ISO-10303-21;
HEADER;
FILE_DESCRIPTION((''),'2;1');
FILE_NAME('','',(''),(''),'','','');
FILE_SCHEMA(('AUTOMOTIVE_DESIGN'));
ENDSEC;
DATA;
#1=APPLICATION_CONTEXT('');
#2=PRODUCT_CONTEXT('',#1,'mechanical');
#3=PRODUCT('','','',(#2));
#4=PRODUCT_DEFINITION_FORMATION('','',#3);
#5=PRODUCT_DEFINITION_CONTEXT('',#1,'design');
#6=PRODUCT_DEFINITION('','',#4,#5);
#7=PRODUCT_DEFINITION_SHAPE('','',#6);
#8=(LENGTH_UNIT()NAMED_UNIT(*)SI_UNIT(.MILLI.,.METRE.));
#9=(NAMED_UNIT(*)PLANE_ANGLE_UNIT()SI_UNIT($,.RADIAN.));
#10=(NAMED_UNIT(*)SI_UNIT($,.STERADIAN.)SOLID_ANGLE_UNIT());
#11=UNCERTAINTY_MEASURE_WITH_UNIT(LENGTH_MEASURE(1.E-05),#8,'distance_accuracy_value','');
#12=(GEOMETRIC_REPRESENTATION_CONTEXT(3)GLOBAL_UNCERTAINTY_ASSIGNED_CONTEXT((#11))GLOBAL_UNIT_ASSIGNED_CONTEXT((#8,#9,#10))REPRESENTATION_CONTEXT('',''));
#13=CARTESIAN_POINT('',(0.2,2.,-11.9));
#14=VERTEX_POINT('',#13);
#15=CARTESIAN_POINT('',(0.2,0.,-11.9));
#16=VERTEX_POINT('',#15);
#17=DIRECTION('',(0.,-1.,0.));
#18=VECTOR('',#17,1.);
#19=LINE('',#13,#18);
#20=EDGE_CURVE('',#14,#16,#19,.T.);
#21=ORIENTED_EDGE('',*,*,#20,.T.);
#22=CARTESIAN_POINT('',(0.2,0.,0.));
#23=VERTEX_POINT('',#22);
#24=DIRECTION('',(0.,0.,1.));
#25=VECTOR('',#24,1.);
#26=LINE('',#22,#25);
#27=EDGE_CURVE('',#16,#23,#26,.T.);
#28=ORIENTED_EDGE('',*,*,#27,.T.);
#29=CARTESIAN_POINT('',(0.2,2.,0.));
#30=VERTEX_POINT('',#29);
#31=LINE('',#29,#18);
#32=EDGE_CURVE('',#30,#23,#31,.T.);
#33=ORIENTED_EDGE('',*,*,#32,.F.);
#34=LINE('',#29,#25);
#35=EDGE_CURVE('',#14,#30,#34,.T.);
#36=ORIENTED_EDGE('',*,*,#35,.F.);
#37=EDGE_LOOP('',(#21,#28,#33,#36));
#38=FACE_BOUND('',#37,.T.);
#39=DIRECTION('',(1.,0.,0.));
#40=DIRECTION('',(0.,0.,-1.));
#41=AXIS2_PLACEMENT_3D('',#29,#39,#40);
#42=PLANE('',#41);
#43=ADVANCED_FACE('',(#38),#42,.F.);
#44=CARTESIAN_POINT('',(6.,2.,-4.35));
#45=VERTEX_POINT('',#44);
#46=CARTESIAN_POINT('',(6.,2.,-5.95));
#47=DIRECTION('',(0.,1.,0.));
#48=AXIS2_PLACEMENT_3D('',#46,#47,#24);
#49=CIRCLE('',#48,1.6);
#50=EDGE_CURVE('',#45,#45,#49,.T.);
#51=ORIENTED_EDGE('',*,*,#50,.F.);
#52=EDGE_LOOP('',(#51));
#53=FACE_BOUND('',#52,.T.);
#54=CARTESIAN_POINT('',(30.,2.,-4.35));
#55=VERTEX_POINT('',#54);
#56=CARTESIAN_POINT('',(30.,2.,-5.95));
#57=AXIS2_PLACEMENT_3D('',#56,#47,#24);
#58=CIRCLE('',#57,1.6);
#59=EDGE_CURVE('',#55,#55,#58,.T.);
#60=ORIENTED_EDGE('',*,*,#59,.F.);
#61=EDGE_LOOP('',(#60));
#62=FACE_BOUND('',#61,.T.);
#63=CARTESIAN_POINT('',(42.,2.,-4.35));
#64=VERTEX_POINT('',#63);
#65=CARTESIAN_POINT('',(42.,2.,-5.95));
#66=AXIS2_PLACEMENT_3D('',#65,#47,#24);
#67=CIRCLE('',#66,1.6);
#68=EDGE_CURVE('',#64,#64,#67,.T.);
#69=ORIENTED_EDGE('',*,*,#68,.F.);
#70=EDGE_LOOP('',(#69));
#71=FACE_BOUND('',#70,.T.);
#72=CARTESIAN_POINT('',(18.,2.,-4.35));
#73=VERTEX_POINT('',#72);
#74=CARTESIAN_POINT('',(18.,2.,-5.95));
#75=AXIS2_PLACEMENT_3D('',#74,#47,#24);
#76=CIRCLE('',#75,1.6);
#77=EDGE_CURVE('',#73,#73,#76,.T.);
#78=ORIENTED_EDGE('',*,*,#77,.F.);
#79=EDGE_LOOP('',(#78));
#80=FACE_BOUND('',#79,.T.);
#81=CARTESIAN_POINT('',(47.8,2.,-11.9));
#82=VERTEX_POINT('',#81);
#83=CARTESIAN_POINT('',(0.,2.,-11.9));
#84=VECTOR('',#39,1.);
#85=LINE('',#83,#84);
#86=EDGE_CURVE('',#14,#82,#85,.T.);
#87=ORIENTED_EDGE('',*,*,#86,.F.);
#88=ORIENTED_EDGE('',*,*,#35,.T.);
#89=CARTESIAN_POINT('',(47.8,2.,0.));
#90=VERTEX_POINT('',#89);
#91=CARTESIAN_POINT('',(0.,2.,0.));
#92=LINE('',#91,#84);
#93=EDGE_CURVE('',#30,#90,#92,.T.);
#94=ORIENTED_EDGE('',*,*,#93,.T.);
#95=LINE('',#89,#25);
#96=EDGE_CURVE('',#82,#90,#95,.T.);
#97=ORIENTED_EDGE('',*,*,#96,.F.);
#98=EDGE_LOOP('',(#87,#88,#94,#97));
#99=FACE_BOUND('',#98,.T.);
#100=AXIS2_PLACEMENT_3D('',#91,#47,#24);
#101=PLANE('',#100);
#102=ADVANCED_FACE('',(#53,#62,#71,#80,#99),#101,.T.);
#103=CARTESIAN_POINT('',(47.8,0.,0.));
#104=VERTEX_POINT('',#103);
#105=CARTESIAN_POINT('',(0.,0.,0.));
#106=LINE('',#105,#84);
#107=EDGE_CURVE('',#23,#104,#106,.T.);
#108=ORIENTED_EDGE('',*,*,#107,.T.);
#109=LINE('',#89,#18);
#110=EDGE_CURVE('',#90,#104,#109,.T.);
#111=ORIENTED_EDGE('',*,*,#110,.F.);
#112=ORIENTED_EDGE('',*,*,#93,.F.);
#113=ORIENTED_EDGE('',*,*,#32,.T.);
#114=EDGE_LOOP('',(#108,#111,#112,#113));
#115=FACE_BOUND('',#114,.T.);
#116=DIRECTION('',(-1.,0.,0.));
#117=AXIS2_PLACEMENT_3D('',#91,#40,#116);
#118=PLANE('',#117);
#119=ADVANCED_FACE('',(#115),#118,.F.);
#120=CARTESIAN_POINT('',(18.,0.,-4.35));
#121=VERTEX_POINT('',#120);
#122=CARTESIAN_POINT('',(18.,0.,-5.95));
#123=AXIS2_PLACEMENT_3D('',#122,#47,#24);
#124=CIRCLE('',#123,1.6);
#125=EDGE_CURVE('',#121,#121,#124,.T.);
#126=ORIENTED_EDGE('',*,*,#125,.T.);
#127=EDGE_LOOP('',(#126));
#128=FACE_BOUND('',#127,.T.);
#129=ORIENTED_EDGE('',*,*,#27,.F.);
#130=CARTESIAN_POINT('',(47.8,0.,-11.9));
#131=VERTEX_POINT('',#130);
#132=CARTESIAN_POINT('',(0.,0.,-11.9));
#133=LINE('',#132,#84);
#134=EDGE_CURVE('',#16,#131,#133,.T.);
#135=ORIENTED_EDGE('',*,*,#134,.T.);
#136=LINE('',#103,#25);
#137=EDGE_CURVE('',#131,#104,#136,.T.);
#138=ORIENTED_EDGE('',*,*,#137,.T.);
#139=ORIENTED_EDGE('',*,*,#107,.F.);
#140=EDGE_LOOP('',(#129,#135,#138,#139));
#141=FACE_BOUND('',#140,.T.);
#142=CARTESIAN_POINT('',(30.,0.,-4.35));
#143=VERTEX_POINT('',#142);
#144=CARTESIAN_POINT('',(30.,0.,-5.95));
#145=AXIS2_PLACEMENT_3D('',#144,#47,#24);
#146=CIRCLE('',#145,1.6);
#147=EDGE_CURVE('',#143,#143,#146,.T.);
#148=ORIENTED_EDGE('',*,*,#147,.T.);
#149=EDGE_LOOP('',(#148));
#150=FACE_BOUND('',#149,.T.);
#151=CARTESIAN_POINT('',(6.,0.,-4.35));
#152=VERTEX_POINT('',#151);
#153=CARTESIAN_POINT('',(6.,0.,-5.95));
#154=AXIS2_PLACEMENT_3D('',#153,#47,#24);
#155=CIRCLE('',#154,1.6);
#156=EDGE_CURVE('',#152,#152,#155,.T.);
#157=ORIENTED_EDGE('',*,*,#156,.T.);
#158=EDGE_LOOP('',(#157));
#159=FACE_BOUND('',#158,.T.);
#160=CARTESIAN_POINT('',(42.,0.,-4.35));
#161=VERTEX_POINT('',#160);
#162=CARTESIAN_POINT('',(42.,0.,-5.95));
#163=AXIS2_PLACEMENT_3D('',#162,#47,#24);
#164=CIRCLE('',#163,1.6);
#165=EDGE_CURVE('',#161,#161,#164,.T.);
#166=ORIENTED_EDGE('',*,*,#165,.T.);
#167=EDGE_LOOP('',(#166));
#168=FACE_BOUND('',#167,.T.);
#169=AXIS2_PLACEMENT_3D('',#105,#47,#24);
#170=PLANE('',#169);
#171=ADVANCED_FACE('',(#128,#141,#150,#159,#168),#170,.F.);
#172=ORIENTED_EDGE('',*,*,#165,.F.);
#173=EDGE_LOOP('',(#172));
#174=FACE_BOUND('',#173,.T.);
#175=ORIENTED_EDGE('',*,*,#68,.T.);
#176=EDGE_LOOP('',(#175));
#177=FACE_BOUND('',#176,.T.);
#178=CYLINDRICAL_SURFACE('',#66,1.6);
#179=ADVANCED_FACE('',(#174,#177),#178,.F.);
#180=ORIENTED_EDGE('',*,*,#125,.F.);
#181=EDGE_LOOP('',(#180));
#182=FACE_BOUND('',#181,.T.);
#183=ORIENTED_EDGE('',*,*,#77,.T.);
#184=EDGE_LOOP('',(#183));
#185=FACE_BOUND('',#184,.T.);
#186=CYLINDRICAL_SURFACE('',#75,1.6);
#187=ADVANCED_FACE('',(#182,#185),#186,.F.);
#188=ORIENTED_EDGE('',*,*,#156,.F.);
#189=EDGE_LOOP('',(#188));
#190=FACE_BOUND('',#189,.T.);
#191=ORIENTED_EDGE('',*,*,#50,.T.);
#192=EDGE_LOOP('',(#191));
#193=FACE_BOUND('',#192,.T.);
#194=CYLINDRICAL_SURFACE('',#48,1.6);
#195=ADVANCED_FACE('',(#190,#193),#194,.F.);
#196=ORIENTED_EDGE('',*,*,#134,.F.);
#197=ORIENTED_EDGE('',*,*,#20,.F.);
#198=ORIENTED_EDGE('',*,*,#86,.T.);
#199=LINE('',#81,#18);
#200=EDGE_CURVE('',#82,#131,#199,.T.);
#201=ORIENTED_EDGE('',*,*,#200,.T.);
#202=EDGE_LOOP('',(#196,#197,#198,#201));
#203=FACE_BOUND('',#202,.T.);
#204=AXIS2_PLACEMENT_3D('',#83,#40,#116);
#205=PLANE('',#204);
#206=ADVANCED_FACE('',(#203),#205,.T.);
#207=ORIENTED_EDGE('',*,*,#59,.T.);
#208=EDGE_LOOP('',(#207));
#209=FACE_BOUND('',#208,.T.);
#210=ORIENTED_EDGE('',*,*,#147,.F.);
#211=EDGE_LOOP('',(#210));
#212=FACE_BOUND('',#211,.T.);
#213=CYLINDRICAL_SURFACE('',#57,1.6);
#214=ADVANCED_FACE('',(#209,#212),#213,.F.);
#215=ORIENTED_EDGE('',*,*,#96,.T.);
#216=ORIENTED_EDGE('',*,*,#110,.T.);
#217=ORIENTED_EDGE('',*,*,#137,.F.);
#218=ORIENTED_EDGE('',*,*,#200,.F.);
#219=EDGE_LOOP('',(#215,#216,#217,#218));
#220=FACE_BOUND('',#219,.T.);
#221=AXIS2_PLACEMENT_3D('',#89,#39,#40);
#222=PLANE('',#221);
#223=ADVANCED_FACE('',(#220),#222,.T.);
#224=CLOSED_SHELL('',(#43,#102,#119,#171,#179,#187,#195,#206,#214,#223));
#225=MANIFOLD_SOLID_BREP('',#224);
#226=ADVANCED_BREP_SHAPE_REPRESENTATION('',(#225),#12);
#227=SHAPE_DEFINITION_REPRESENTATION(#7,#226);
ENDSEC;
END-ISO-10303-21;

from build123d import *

# Parameters (mm, degrees)
SKETCH1_W                = 47.6
SKETCH1_H                = 5.95
BOSS_EXTRUDE1_DEPTH      = 2
M3_CLEARANCE_HOLE1_D     = 3.2
M3_CLEARANCE_HOLE1_DEPTH = 3


with BuildPart() as part:
    # Sketch1 → Boss-Extrude1 (new body)
    with BuildSketch(Plane(origin=(0, 0, 0), x_dir=(1, 0, 0), z_dir=(0, 1, 0))):
        with Locations((24, 2.975)):
            Rectangle(SKETCH1_W, SKETCH1_H)
        with Locations((24, 8.925)):
            Rectangle(SKETCH1_W, SKETCH1_H)
    extrude(amount=BOSS_EXTRUDE1_DEPTH)

    # M3 Clearance Hole1
    with Locations(Plane(origin=(0, 2, 0), x_dir=(1, 0, 0), z_dir=(0, 1, 0))):
        with Locations((42, 5.95), (30, 5.95), (18, 5.95), (6, 5.95)):
            Hole(M3_CLEARANCE_HOLE1_D / 2, depth=M3_CLEARANCE_HOLE1_DEPTH)


solid = part.part
